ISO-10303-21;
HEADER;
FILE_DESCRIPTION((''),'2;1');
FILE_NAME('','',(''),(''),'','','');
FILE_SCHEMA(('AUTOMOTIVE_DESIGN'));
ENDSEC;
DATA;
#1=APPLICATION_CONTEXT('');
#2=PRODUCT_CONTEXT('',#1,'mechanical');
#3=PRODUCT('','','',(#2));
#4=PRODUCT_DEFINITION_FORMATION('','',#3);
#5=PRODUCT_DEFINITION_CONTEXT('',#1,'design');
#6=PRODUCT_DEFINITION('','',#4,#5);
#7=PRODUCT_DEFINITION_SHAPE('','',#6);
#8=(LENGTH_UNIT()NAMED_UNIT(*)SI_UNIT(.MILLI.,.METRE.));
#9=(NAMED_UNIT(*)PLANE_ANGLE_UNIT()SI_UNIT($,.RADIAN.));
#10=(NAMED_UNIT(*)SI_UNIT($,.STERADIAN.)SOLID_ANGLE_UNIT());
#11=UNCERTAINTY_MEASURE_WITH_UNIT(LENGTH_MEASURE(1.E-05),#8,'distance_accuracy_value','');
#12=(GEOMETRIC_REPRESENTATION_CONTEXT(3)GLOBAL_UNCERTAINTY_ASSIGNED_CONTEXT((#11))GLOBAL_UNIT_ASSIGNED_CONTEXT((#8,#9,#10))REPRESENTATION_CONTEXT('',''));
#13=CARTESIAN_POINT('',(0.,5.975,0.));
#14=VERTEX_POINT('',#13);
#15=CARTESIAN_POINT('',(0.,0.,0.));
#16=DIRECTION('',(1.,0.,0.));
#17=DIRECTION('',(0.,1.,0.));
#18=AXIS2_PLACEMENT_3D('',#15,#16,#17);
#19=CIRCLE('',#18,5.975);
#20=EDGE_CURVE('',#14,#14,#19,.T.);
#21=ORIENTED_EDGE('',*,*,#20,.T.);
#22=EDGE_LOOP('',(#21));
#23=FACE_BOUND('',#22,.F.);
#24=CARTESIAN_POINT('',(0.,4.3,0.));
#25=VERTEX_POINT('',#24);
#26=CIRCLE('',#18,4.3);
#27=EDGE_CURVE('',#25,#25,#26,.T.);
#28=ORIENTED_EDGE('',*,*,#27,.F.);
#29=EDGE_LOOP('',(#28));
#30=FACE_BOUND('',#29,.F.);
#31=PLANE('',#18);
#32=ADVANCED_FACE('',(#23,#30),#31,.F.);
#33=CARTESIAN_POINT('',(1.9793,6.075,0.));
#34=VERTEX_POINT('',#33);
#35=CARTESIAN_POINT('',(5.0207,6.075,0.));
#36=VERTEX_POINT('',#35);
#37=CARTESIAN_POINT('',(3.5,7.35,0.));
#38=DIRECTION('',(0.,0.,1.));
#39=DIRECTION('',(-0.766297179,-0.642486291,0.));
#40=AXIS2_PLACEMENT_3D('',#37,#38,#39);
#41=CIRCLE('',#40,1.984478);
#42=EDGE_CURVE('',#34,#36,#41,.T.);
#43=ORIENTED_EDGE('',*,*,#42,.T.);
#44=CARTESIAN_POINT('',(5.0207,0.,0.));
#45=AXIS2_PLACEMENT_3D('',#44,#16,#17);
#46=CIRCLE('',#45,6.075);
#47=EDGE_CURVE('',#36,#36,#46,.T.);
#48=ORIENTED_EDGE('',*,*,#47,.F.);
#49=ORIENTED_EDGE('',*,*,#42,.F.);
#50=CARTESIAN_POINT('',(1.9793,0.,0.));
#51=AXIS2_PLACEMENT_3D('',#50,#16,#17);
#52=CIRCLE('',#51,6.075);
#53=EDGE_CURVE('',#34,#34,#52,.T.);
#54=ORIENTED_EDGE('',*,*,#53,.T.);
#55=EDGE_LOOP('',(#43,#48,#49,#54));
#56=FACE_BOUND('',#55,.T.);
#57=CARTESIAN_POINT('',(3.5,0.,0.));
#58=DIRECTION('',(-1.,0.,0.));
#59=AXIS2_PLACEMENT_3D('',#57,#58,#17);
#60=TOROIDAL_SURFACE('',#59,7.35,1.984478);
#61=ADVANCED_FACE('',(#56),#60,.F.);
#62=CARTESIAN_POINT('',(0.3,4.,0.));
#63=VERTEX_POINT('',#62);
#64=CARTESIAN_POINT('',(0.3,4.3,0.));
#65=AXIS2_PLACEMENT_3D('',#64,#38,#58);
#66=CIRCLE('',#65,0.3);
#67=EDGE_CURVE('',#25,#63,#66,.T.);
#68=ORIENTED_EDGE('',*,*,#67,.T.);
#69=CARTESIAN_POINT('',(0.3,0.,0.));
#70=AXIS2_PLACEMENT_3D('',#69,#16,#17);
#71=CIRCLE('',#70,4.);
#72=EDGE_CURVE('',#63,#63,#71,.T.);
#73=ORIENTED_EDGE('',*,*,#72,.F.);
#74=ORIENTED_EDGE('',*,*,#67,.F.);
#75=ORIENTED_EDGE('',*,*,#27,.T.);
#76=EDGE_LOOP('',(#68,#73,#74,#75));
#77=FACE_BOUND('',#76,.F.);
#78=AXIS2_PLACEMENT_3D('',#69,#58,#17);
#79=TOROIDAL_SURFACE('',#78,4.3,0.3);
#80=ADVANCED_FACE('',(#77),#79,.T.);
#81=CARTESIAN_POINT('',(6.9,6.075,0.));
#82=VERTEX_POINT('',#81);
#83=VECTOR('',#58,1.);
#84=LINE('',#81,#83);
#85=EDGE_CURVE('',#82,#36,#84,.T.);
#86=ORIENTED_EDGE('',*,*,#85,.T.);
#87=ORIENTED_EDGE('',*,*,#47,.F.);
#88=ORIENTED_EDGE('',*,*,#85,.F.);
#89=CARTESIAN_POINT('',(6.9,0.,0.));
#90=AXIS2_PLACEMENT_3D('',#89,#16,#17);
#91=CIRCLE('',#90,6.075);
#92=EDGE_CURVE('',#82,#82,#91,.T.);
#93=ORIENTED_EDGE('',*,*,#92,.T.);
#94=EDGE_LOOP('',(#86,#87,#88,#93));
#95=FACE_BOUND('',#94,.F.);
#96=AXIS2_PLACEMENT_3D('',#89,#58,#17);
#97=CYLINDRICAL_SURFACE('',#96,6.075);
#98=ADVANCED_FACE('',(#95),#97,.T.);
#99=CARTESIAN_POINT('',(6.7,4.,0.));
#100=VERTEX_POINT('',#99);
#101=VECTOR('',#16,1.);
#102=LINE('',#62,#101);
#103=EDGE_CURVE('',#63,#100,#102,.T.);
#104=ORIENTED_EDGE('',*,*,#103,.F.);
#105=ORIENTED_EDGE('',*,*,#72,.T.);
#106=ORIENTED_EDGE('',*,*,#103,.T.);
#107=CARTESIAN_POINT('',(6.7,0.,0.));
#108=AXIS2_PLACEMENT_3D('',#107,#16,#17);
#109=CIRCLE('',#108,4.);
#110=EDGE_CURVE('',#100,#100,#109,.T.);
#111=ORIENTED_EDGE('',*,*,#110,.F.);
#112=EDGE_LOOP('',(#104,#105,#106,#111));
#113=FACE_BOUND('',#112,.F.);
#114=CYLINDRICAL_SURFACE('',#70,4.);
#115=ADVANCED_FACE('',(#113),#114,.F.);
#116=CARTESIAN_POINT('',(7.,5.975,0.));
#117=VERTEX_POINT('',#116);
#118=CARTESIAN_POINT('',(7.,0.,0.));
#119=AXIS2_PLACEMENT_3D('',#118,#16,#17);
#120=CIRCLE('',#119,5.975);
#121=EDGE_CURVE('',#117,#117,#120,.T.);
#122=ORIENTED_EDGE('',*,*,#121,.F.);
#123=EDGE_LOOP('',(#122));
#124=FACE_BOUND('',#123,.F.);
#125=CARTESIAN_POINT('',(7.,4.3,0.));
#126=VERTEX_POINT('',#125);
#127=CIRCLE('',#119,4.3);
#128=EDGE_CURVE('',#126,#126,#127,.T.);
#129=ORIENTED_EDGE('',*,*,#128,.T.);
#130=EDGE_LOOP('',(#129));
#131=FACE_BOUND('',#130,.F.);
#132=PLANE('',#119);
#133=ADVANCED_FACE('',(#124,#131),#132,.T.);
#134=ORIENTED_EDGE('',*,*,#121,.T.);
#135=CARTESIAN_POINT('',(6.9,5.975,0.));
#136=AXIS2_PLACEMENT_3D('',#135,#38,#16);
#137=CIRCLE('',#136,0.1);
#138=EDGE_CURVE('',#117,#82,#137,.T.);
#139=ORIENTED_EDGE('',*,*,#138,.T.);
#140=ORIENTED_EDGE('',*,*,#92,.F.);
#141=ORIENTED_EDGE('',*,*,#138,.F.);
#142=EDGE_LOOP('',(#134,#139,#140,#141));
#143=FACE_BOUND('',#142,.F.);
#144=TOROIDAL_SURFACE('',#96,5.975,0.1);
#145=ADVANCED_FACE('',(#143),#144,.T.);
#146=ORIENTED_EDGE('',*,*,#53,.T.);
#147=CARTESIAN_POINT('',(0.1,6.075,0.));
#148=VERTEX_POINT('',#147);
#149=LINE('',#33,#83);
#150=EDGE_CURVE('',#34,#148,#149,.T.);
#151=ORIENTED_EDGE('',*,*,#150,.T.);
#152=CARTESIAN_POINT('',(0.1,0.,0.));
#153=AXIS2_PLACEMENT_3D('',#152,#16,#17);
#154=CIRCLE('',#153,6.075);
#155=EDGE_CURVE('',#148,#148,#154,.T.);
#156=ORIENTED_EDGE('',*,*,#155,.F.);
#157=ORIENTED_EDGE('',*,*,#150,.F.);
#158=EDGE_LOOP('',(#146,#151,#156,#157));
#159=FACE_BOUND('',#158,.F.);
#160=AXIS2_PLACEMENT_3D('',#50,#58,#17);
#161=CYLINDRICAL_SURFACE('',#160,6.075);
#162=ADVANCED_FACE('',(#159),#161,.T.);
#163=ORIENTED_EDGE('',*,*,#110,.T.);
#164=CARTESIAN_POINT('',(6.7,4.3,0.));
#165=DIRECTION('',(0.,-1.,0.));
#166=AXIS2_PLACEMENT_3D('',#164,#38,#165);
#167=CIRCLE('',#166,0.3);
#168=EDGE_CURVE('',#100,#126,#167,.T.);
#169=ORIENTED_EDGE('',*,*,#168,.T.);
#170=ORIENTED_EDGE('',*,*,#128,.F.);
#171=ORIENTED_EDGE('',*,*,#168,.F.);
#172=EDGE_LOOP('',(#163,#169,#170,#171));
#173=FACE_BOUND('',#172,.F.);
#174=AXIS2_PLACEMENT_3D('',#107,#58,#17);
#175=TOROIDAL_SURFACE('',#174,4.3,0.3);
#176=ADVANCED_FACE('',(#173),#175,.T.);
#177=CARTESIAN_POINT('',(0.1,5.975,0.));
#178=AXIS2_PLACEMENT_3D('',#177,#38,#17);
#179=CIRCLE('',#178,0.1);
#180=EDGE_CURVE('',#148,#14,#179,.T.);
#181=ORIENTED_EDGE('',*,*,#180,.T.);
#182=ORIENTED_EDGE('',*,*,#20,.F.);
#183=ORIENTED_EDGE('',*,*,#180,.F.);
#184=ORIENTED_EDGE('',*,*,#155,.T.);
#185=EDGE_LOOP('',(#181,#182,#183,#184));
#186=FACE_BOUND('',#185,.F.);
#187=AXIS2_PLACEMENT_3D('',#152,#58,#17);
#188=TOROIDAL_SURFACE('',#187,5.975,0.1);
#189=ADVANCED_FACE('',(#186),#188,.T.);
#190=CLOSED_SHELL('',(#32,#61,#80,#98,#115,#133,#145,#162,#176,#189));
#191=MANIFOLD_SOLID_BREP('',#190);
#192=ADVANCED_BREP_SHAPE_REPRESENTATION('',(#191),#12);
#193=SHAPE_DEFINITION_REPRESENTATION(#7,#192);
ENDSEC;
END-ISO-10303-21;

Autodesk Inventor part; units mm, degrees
ref_plane "YZ Plane" through (0, 0, 0) normal (1, 0, 0) x (0, 1, 0)
ref_plane "XZ Plane" through (0, 0, 0) normal (0, 1, 0) x (-1, 0, 0)
ref_plane "XY Plane" through (0, 0, 0) normal (0, 0, 1) x (1, 0, 0)
sketch "Sketch_54" plane through (0, 0, 0) normal (0, 0, 1) x (1, 0, 0)
  line L0 (100, 0) -> (-100, 0)
  arc A0 (0, 4.3) -> (0.3, 4) centre (0.3, 4.3) ccw
  line L1 (0.3, 4) -> (6.7, 4)
  arc A1 (6.7, 4) -> (7, 4.3) centre (6.7, 4.3) ccw
  line L2 (7, 4.3) -> (7, 5.975)
  arc A2 (7, 5.975) -> (6.9, 6.075) centre (6.9, 5.975) ccw
  line L3 (6.9, 6.075) -> (5.0207, 6.075)
  arc A3 (1.9793, 6.075) -> (5.0207, 6.075) centre (3.5, 7.35) ccw
  line L4 (1.9793, 6.075) -> (0.1, 6.075)
  arc A4 (0.1, 6.075) -> (0, 5.975) centre (0.1, 5.975) ccw
  line L5 (0, 5.975) -> (0, 4.3)
revolve "Revolution1" add sketch "Sketch_54" angle 360 about axis through (100, 0, 0) along (1, 0, 0)
properties part number "SKF_608_PART1"
